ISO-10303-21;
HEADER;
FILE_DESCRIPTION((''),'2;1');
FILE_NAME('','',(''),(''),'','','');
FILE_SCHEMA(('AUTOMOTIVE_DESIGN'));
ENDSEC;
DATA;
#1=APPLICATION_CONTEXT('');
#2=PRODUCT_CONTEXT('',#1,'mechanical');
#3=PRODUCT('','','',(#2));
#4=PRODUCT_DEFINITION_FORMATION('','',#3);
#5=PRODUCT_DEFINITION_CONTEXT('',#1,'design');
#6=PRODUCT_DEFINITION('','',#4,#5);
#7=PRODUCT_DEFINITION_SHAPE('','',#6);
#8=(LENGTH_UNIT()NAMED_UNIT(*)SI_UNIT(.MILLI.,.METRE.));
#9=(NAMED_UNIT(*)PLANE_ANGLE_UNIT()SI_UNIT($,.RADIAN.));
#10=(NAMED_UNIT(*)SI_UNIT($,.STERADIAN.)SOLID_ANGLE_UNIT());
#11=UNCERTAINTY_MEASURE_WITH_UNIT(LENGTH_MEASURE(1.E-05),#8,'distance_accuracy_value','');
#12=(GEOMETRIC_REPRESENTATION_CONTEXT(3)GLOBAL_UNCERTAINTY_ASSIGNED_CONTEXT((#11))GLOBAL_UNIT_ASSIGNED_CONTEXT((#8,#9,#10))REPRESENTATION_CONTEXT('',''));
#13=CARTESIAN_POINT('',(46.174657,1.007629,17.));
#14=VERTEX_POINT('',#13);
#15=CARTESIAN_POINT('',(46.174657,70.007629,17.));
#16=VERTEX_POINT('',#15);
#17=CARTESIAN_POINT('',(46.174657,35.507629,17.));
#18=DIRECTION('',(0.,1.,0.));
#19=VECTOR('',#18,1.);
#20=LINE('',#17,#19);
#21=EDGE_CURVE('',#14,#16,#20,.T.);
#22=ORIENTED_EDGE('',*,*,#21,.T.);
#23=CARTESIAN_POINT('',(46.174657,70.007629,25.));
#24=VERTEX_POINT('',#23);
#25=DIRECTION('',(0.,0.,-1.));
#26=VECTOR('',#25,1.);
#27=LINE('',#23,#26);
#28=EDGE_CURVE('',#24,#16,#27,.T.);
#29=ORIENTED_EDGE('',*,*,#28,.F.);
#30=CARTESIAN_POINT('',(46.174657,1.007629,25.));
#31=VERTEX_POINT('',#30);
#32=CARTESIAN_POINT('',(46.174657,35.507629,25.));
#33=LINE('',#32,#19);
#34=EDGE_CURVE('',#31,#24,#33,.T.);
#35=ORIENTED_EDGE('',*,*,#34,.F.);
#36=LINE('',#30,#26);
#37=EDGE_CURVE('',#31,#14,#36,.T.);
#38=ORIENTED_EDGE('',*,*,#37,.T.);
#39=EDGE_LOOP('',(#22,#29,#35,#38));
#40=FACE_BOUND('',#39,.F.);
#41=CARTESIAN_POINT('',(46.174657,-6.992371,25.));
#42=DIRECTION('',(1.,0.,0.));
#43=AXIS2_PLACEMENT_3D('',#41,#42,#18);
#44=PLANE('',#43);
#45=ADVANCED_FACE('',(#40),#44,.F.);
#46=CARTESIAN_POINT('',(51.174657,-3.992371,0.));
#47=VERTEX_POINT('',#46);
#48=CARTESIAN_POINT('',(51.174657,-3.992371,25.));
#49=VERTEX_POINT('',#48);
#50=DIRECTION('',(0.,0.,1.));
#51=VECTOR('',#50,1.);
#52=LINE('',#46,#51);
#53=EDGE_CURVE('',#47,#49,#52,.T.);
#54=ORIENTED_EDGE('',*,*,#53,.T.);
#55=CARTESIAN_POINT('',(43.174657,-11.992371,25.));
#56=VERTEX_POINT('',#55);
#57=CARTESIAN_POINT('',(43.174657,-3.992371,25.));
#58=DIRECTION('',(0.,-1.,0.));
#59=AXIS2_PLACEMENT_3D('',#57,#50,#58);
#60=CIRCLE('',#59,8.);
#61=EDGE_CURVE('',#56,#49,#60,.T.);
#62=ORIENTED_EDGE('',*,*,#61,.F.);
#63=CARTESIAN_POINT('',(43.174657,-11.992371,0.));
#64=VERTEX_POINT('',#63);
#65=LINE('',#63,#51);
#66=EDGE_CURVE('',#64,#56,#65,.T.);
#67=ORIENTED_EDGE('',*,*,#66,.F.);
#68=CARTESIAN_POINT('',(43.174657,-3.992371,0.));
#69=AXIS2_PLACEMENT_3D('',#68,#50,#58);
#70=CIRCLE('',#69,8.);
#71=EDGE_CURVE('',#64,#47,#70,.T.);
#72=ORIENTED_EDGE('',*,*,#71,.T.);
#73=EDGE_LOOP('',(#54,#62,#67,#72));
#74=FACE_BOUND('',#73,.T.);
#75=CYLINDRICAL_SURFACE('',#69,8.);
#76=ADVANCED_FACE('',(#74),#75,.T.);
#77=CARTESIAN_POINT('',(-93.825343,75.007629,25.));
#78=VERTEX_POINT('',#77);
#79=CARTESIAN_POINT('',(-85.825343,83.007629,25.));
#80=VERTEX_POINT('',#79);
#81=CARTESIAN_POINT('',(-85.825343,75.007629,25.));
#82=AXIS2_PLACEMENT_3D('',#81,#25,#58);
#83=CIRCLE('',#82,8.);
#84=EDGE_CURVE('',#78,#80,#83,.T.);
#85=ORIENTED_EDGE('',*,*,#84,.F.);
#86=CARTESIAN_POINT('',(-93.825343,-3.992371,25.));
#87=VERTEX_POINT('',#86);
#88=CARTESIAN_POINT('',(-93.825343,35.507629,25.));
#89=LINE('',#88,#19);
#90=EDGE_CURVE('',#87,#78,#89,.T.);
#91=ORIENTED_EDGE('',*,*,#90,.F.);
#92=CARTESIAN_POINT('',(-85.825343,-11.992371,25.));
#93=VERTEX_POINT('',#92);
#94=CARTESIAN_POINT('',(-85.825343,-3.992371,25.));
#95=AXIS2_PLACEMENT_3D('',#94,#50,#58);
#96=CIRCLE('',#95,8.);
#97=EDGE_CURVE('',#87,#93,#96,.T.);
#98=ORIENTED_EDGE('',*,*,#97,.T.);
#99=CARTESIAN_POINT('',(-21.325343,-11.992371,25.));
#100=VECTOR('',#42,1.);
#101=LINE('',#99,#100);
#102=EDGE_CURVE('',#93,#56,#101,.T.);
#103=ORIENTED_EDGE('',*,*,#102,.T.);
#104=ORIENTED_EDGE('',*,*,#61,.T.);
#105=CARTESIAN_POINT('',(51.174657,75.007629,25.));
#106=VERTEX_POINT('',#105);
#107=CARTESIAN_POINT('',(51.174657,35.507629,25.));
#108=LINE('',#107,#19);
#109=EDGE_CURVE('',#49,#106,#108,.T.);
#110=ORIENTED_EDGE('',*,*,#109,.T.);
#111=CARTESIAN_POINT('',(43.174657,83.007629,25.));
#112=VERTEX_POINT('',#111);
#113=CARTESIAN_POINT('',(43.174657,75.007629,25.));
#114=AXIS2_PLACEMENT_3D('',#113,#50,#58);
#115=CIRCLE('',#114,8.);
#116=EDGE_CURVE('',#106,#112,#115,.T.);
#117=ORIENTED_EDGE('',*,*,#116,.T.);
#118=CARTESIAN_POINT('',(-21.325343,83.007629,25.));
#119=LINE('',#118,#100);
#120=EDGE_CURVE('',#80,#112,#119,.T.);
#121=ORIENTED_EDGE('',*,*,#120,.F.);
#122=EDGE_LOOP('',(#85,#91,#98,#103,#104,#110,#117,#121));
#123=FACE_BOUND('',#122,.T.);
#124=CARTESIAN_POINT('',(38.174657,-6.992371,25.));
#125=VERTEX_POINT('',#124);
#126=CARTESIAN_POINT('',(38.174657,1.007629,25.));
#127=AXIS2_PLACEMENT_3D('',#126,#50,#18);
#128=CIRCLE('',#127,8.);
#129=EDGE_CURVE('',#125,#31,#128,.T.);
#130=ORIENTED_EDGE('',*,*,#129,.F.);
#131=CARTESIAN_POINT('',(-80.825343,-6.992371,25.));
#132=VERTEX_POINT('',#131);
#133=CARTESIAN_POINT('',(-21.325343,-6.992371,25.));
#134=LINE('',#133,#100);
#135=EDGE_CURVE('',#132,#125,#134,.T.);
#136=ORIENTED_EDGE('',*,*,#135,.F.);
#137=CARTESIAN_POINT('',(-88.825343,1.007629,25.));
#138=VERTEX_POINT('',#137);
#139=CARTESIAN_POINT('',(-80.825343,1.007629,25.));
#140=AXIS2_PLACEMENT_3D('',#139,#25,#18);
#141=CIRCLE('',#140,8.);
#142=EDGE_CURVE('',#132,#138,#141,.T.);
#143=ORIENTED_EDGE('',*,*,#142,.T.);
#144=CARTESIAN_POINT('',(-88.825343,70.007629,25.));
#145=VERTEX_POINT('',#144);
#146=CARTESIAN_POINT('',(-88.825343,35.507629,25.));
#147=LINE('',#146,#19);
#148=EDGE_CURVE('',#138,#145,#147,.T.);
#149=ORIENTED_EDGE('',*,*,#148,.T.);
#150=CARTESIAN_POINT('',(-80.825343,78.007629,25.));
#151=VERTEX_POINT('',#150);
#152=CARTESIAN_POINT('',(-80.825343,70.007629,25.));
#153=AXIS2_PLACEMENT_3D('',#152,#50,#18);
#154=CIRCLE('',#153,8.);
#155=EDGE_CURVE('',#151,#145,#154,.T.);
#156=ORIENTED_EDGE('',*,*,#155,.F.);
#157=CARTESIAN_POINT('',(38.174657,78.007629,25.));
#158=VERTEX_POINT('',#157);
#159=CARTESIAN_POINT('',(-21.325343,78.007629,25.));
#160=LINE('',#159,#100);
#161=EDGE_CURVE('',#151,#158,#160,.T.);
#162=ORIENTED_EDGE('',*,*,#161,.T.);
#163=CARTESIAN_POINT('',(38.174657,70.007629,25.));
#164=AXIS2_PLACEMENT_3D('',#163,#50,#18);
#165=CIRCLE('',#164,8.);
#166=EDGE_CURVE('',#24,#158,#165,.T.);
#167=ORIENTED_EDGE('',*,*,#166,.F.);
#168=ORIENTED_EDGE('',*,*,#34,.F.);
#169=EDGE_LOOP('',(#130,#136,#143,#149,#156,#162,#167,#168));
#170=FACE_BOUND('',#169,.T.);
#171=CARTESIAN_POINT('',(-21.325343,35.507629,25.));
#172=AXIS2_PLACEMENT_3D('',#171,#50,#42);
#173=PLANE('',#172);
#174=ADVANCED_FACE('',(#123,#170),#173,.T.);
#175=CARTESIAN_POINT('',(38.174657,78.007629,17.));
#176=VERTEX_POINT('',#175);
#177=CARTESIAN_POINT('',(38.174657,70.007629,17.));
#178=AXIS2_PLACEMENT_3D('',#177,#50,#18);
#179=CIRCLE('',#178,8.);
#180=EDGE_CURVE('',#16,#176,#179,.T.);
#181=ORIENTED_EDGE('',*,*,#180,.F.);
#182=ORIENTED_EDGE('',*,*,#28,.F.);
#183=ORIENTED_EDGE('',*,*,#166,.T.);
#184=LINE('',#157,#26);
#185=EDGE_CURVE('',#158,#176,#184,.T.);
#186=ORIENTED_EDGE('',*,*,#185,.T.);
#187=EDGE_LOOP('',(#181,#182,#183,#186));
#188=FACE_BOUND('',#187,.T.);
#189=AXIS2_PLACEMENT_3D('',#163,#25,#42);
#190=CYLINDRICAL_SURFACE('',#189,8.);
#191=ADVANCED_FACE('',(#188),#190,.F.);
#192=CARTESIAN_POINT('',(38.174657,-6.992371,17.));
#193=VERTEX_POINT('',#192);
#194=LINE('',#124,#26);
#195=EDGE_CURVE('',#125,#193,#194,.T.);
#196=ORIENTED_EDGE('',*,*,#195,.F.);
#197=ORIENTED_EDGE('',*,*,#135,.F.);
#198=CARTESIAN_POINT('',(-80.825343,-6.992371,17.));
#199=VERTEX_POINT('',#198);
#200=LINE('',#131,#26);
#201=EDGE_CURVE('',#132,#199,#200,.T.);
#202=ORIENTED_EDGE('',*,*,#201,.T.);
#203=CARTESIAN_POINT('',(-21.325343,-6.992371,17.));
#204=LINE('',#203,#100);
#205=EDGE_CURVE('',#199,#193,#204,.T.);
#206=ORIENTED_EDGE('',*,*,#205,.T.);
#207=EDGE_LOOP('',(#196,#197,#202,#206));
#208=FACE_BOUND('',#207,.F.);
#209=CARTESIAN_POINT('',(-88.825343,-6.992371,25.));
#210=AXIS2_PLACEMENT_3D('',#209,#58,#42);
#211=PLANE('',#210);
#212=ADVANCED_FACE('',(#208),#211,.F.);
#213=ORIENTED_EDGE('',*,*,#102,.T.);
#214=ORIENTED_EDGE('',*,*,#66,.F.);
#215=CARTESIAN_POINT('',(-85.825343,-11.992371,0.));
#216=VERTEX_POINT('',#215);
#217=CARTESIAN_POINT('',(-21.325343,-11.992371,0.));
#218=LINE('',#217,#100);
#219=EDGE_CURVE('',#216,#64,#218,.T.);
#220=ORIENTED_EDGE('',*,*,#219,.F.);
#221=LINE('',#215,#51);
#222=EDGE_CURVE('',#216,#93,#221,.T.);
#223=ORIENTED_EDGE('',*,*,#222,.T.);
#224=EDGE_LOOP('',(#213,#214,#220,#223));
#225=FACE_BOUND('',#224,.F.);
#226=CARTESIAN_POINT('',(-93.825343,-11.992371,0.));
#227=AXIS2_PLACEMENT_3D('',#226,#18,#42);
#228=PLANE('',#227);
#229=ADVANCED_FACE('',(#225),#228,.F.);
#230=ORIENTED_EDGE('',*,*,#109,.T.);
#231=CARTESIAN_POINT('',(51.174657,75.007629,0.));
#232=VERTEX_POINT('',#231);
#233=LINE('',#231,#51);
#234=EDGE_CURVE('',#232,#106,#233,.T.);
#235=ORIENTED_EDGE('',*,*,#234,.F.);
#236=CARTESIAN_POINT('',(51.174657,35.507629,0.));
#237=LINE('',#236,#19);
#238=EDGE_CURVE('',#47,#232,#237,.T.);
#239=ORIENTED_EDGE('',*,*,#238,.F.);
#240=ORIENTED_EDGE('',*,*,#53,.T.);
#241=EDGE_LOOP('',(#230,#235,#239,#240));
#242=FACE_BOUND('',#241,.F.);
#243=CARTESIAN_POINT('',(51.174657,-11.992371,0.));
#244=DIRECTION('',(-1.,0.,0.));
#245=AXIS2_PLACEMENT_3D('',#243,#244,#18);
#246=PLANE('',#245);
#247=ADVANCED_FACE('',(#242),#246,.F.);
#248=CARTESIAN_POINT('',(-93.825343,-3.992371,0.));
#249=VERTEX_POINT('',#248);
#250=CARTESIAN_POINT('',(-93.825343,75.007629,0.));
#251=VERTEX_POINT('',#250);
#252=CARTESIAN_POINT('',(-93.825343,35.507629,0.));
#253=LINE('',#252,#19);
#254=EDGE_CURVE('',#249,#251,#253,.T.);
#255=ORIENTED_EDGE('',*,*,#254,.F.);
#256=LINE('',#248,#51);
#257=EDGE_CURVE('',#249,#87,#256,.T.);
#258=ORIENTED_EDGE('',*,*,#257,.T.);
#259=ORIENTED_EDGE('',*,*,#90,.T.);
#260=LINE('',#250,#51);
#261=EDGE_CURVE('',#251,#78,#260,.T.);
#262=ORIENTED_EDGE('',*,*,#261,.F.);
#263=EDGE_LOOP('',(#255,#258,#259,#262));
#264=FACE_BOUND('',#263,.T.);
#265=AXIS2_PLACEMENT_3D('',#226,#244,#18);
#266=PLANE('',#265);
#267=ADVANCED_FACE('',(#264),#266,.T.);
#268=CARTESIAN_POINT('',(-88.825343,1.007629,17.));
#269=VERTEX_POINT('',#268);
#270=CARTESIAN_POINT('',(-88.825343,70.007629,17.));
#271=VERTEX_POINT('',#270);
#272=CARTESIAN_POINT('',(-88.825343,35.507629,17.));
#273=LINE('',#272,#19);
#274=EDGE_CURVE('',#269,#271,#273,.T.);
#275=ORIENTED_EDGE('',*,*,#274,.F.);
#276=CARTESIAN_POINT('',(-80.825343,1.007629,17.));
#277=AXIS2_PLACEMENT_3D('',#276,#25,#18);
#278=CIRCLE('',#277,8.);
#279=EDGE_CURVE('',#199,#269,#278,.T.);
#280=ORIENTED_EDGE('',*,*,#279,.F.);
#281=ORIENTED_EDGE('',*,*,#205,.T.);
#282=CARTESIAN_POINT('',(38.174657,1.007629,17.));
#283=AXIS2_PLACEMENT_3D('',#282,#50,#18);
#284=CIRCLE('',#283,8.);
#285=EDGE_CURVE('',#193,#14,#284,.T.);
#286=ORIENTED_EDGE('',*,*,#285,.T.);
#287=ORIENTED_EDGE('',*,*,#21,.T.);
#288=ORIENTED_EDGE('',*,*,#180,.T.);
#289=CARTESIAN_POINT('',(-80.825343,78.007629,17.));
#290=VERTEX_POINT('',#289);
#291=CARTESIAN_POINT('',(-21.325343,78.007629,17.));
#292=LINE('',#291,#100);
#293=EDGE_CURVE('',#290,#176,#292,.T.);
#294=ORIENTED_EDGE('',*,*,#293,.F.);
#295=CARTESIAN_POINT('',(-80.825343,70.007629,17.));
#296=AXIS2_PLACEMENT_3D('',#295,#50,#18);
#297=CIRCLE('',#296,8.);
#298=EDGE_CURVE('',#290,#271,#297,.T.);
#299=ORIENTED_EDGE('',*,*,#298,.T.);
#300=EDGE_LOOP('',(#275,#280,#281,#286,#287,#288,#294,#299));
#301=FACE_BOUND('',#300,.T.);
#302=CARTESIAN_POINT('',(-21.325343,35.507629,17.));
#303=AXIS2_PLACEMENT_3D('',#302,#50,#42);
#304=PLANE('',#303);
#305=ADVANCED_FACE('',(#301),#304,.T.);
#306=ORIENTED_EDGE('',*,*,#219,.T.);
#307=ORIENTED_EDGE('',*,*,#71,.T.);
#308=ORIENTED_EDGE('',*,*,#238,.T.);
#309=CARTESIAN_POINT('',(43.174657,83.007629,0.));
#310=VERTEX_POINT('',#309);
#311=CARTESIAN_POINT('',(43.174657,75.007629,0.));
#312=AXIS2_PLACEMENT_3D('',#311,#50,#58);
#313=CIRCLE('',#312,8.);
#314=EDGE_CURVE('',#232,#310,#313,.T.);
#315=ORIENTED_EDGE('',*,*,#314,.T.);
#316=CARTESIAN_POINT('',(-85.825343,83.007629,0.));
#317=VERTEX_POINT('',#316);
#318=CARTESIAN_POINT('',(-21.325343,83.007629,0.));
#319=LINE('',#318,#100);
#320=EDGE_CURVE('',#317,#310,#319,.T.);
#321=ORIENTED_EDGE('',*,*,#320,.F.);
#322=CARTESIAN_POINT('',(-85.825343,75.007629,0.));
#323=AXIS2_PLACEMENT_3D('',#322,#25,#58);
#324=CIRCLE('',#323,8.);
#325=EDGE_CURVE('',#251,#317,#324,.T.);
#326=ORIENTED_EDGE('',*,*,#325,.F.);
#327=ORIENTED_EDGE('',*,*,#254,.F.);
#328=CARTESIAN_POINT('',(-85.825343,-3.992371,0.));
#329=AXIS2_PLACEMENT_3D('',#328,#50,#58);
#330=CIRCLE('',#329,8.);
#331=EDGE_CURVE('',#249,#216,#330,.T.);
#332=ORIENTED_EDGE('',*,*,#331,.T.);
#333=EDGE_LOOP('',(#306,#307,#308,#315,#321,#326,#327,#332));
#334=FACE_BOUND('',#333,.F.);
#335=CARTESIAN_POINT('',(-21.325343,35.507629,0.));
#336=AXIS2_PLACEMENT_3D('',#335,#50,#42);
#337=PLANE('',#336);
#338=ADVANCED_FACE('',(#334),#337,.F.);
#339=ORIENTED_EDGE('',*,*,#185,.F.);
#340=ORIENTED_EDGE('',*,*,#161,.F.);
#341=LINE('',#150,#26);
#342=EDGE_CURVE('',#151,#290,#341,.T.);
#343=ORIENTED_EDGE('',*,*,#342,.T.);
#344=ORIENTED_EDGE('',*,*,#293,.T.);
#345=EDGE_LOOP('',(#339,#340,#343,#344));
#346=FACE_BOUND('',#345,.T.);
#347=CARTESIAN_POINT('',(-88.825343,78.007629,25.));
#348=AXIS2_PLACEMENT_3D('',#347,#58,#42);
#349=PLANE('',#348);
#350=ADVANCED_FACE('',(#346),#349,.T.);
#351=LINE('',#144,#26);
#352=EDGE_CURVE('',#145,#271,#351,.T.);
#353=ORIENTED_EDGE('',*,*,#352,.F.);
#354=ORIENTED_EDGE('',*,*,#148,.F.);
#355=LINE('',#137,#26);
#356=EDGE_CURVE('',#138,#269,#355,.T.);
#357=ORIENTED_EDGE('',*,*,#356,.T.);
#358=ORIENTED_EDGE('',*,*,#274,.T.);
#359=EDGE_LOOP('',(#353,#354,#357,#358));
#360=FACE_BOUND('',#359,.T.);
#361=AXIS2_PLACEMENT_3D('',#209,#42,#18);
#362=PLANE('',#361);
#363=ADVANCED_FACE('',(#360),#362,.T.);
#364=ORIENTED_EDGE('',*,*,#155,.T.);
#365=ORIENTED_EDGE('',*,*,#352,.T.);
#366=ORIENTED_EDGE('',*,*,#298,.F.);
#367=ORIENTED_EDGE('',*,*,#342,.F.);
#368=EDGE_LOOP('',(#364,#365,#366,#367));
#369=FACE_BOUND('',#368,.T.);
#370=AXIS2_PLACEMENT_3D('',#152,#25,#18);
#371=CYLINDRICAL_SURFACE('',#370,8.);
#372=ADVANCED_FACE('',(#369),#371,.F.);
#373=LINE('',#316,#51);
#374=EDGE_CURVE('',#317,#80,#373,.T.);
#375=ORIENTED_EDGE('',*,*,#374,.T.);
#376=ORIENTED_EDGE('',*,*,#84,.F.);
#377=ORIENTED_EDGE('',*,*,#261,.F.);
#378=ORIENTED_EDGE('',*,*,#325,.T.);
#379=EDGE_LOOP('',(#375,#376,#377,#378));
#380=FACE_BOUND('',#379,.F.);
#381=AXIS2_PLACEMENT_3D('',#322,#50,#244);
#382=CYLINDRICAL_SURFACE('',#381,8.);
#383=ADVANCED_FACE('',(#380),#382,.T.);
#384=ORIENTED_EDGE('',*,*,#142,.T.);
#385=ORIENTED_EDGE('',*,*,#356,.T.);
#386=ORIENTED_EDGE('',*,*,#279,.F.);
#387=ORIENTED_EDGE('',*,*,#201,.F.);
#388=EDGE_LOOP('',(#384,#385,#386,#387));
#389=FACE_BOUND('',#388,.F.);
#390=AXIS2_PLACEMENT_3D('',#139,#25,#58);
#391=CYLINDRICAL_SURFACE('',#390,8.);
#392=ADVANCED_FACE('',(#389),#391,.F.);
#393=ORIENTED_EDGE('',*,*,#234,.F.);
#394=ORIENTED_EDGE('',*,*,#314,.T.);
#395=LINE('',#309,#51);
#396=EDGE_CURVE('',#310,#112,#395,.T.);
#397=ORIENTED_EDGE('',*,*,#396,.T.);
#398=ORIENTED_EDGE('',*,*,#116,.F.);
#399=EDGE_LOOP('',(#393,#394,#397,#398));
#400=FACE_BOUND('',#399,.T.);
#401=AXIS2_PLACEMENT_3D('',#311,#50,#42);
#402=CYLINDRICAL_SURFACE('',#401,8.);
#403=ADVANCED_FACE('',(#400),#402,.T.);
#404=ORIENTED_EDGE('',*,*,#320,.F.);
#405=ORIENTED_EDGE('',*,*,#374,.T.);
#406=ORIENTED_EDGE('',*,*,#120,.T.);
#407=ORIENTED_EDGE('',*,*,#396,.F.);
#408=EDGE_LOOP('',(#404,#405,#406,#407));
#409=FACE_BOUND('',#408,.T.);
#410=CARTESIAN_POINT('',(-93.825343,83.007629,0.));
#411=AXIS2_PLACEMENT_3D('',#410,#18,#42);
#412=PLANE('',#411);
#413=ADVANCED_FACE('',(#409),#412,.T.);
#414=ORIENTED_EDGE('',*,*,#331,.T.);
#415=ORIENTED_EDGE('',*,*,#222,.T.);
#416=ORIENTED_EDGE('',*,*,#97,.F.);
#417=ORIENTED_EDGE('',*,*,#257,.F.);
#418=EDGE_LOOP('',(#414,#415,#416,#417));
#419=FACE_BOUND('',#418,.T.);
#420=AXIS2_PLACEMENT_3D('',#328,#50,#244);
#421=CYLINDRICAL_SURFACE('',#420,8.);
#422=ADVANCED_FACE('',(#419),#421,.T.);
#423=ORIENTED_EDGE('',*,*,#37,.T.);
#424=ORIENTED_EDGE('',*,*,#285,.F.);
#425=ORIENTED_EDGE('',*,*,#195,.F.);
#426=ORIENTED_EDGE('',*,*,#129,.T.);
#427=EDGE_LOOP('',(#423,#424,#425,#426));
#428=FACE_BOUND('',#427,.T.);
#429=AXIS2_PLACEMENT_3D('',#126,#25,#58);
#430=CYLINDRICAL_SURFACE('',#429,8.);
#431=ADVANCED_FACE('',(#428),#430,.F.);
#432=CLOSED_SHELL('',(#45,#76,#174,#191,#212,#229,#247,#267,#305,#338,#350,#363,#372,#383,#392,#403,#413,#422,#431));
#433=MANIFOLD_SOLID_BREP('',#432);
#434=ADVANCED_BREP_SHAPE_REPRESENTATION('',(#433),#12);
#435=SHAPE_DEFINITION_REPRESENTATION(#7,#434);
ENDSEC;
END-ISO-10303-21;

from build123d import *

# Parameters (mm, degrees)
F0_W     = 145
F0_H     = 95
F1_DEPTH = 25
F2_R     = 8
F3_W     = 135
F3_H     = 85
F4_DEPTH = 8
F5_R     = 8


with BuildPart() as f1:
    # F0 (on Top) → F1 (new body)
    with BuildSketch(Plane.XY):
        with Locations((-21.325343, 35.507629)):
            Rectangle(F0_W, F0_H)
    extrude(amount=F1_DEPTH)

    # F2
    f2_edges = [f1.edges().sort_by_distance(p)[0] for p in [
        (-93.825343, -11.992371, 12.5),
        (51.174657, -11.992371, 12.5),
        (51.174657, 83.007629, 12.5),
        (-93.825343, 83.007629, 12.5),
    ]]
    fillet(f2_edges, radius=F2_R)

    # F3 (on face) → F4 (cut)
    with BuildSketch(Plane.XY.offset(25)):
        with Locations((-21.325343, 35.507629)):
            Rectangle(F3_W, F3_H)
    extrude(amount=-F4_DEPTH, mode=Mode.SUBTRACT)

    # F5
    f5_edges = [f1.edges().sort_by_distance(p)[0] for p in [
        (-88.825343, 78.007629, 21),
        (-88.825343, -6.992371, 21),
        (46.174657, 78.007629, 21),
        (46.174657, -6.992371, 21),
    ]]
    fillet(f5_edges, radius=F5_R)


solid = f1.part
